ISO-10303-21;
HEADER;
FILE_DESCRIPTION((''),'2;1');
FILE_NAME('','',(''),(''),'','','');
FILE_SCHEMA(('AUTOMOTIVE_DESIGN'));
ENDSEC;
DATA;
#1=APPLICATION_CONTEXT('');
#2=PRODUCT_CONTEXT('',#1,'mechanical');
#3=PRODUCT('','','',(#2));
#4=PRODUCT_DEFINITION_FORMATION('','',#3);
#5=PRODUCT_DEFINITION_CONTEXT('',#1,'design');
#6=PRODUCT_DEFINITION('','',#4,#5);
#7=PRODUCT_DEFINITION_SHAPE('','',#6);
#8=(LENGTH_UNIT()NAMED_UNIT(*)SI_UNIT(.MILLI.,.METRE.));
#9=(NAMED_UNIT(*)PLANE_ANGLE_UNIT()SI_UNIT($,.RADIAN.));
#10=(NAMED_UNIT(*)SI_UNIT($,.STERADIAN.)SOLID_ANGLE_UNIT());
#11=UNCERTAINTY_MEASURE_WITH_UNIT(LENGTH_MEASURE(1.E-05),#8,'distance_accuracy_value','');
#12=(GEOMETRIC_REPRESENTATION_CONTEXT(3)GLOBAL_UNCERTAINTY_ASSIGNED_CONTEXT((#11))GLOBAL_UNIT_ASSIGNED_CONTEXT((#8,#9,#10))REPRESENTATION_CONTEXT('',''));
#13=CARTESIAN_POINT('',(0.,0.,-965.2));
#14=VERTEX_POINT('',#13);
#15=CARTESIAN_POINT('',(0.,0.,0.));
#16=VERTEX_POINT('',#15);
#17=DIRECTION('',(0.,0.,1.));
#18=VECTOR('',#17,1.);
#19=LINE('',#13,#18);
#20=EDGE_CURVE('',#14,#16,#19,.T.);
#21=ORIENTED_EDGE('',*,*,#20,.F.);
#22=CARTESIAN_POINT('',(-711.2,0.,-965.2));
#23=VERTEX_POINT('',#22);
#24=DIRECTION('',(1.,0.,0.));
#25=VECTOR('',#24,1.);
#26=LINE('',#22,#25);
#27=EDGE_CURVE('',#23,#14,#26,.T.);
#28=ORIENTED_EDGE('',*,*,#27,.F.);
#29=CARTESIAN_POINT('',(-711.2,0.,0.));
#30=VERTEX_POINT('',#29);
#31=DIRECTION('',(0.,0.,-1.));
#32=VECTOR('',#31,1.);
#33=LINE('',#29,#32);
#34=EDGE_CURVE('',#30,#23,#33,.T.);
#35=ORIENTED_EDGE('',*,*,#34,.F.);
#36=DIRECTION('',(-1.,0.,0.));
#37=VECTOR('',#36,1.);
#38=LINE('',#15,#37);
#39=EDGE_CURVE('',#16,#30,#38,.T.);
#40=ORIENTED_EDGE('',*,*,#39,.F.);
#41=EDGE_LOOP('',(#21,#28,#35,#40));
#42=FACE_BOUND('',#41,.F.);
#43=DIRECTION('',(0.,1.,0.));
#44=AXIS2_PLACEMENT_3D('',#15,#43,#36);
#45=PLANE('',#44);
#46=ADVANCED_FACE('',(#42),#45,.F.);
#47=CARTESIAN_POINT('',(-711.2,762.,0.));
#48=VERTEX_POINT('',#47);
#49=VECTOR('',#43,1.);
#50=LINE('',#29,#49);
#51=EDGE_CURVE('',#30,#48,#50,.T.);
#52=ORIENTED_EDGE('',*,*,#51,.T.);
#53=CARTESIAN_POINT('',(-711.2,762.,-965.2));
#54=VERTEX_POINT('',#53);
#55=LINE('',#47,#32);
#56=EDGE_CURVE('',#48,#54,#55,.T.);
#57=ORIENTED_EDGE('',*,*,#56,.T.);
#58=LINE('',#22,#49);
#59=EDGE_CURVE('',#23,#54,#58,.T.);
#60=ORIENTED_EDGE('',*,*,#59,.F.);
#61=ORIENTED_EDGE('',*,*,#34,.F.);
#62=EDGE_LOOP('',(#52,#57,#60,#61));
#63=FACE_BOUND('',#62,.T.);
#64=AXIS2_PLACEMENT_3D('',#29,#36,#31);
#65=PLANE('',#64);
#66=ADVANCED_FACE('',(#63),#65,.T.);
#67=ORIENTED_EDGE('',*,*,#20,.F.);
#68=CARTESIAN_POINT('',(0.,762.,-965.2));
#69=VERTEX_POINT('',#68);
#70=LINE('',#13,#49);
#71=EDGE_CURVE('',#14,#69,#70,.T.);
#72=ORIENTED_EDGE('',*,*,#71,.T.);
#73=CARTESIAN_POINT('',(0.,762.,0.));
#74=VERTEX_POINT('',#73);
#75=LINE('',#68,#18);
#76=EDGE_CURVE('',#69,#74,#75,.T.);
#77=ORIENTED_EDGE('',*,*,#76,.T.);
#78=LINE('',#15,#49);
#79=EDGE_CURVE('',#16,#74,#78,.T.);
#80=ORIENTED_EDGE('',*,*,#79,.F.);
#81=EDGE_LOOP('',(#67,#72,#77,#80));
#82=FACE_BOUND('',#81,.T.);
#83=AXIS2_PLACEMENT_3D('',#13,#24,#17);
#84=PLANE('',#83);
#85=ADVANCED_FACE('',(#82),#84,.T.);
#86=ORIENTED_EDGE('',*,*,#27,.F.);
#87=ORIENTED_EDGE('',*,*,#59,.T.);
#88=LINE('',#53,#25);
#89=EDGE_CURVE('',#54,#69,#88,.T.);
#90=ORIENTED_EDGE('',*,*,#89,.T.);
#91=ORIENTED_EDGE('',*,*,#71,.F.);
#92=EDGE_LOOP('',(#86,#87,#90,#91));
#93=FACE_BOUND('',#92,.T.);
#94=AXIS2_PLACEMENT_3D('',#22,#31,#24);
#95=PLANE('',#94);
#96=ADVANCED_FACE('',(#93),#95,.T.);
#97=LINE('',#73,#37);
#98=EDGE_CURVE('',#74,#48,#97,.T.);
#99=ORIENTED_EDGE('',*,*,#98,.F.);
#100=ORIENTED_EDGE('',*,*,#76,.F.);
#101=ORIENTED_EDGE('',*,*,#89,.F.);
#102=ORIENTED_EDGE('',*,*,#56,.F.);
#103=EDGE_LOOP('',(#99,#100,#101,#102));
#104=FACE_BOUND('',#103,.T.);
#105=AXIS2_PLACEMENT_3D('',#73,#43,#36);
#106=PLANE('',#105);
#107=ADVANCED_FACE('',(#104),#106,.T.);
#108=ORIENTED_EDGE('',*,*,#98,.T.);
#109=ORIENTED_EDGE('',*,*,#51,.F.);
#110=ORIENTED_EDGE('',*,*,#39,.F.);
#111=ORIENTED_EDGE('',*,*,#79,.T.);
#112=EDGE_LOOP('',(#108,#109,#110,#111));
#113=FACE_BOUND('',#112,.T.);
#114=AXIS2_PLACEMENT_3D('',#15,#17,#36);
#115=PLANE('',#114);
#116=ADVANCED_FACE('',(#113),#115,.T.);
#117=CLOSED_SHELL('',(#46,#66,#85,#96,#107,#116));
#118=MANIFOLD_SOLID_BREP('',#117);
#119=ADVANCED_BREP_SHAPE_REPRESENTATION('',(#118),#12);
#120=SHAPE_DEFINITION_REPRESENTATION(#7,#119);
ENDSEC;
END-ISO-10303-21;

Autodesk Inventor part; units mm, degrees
ref_plane "YZ Plane" through (0, 0, 0) normal (1, 0, 0) x (0, 1, 0)
ref_plane "XZ Plane" through (0, 0, 0) normal (0, 1, 0) x (-1, 0, 0)
ref_plane "XY Plane" through (0, 0, 0) normal (0, 0, 1) x (1, 0, 0)
sketch "Sketch1" plane through (0, 0, 0) normal (0, 1, 0) x (-1, 0, 0)
  line L0 (0, 0) -> (711.2, 0)
  line L1 (711.2, 0) -> (711.2, -965.2)
  line L2 (711.2, -965.2) -> (0, -965.2)
  line L3 (0, -965.2) -> (0, 0)
  dimension "d0" = 711.2
  dimension "d1" = 965.2
extrude "Extrusion1" add sketch "Sketch1" along normal blind 762
properties part number "MockRobot-ver1-1111-2021"
